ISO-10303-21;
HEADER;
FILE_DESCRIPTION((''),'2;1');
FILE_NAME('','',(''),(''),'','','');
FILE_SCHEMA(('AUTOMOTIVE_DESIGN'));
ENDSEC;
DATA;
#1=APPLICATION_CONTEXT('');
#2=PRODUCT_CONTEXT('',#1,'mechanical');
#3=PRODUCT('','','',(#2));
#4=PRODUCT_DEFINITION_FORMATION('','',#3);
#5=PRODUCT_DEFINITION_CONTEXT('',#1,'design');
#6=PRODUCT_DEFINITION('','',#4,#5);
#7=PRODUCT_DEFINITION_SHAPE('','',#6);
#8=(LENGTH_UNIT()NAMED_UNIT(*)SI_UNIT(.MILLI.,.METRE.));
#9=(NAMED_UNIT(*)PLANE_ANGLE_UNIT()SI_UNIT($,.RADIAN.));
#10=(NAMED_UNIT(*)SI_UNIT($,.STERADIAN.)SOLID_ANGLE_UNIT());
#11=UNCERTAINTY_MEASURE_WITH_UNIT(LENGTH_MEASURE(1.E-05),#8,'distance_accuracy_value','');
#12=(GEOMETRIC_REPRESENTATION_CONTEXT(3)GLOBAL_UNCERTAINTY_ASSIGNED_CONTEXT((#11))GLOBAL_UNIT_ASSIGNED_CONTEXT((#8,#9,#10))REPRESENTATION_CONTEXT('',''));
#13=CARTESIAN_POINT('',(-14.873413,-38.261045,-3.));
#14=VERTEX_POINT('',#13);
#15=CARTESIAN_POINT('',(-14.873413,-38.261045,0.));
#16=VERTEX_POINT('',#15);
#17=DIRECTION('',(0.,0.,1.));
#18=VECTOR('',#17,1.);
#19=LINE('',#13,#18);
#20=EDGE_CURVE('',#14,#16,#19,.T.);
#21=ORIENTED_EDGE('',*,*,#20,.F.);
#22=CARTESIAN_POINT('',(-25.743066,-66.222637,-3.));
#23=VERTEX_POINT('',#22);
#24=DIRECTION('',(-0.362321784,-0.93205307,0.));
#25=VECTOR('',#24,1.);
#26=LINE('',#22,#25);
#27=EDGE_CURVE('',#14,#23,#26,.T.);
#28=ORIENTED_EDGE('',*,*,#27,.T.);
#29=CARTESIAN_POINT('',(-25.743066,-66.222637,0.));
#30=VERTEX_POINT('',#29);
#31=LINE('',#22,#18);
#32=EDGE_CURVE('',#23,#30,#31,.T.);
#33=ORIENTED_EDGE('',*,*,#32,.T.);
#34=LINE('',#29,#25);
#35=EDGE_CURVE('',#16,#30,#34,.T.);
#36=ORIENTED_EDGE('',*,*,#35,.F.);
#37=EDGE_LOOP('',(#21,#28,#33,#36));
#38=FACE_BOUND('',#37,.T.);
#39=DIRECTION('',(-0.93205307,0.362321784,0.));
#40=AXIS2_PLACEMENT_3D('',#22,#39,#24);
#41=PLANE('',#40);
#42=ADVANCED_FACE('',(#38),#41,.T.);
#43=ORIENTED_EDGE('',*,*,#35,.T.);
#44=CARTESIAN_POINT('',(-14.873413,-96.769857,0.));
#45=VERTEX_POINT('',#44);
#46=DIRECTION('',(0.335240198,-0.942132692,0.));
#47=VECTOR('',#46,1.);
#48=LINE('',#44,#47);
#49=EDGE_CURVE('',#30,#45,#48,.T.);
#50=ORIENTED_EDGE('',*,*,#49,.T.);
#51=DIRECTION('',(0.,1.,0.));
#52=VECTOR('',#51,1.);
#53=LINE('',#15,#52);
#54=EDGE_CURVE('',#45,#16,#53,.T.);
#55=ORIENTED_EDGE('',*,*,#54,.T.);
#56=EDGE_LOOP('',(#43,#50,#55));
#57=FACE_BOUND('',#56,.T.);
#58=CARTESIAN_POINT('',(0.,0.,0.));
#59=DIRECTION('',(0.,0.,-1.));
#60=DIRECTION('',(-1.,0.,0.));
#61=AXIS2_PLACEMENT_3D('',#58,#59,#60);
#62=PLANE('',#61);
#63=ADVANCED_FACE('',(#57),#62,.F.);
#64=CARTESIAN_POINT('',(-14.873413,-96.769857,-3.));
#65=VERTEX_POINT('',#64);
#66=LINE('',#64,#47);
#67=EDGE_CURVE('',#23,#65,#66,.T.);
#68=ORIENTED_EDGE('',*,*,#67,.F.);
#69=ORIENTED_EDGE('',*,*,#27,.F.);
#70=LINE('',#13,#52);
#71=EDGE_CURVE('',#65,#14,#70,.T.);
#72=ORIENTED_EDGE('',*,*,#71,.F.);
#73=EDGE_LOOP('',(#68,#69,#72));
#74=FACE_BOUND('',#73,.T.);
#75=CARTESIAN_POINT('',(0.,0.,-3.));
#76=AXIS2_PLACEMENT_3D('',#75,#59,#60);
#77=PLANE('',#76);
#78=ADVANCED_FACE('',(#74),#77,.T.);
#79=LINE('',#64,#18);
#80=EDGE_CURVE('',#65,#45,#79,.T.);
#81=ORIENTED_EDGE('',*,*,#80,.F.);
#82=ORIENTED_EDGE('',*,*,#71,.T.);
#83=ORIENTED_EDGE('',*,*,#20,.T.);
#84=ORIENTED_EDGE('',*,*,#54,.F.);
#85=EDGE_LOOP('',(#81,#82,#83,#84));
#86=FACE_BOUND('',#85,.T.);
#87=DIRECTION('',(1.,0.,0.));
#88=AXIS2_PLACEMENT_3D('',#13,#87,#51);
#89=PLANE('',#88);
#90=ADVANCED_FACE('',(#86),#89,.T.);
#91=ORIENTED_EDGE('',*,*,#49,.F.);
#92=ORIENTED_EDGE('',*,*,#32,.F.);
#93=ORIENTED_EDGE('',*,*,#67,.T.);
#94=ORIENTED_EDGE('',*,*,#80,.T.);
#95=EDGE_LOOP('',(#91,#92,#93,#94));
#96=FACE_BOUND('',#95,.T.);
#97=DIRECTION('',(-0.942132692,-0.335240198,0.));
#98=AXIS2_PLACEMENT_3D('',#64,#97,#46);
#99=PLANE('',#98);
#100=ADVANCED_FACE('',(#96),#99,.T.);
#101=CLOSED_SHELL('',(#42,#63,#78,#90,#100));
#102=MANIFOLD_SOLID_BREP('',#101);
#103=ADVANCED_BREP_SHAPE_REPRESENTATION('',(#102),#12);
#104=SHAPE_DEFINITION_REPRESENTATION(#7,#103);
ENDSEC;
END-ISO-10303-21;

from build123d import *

# Parameters (mm, degrees)
BOSS_EXTRU_1_DEPTH = 3


with BuildPart() as part:
    # Esquisse1 → Boss.-Extru.1 (new body)
    with BuildSketch(Plane.XY):
        Polygon((-25.743066416, -66.222637248), (-14.873412892, -38.261045157), (-14.873412892, -96.769856796), align=None)
    extrude(amount=-BOSS_EXTRU_1_DEPTH)


solid = part.part
